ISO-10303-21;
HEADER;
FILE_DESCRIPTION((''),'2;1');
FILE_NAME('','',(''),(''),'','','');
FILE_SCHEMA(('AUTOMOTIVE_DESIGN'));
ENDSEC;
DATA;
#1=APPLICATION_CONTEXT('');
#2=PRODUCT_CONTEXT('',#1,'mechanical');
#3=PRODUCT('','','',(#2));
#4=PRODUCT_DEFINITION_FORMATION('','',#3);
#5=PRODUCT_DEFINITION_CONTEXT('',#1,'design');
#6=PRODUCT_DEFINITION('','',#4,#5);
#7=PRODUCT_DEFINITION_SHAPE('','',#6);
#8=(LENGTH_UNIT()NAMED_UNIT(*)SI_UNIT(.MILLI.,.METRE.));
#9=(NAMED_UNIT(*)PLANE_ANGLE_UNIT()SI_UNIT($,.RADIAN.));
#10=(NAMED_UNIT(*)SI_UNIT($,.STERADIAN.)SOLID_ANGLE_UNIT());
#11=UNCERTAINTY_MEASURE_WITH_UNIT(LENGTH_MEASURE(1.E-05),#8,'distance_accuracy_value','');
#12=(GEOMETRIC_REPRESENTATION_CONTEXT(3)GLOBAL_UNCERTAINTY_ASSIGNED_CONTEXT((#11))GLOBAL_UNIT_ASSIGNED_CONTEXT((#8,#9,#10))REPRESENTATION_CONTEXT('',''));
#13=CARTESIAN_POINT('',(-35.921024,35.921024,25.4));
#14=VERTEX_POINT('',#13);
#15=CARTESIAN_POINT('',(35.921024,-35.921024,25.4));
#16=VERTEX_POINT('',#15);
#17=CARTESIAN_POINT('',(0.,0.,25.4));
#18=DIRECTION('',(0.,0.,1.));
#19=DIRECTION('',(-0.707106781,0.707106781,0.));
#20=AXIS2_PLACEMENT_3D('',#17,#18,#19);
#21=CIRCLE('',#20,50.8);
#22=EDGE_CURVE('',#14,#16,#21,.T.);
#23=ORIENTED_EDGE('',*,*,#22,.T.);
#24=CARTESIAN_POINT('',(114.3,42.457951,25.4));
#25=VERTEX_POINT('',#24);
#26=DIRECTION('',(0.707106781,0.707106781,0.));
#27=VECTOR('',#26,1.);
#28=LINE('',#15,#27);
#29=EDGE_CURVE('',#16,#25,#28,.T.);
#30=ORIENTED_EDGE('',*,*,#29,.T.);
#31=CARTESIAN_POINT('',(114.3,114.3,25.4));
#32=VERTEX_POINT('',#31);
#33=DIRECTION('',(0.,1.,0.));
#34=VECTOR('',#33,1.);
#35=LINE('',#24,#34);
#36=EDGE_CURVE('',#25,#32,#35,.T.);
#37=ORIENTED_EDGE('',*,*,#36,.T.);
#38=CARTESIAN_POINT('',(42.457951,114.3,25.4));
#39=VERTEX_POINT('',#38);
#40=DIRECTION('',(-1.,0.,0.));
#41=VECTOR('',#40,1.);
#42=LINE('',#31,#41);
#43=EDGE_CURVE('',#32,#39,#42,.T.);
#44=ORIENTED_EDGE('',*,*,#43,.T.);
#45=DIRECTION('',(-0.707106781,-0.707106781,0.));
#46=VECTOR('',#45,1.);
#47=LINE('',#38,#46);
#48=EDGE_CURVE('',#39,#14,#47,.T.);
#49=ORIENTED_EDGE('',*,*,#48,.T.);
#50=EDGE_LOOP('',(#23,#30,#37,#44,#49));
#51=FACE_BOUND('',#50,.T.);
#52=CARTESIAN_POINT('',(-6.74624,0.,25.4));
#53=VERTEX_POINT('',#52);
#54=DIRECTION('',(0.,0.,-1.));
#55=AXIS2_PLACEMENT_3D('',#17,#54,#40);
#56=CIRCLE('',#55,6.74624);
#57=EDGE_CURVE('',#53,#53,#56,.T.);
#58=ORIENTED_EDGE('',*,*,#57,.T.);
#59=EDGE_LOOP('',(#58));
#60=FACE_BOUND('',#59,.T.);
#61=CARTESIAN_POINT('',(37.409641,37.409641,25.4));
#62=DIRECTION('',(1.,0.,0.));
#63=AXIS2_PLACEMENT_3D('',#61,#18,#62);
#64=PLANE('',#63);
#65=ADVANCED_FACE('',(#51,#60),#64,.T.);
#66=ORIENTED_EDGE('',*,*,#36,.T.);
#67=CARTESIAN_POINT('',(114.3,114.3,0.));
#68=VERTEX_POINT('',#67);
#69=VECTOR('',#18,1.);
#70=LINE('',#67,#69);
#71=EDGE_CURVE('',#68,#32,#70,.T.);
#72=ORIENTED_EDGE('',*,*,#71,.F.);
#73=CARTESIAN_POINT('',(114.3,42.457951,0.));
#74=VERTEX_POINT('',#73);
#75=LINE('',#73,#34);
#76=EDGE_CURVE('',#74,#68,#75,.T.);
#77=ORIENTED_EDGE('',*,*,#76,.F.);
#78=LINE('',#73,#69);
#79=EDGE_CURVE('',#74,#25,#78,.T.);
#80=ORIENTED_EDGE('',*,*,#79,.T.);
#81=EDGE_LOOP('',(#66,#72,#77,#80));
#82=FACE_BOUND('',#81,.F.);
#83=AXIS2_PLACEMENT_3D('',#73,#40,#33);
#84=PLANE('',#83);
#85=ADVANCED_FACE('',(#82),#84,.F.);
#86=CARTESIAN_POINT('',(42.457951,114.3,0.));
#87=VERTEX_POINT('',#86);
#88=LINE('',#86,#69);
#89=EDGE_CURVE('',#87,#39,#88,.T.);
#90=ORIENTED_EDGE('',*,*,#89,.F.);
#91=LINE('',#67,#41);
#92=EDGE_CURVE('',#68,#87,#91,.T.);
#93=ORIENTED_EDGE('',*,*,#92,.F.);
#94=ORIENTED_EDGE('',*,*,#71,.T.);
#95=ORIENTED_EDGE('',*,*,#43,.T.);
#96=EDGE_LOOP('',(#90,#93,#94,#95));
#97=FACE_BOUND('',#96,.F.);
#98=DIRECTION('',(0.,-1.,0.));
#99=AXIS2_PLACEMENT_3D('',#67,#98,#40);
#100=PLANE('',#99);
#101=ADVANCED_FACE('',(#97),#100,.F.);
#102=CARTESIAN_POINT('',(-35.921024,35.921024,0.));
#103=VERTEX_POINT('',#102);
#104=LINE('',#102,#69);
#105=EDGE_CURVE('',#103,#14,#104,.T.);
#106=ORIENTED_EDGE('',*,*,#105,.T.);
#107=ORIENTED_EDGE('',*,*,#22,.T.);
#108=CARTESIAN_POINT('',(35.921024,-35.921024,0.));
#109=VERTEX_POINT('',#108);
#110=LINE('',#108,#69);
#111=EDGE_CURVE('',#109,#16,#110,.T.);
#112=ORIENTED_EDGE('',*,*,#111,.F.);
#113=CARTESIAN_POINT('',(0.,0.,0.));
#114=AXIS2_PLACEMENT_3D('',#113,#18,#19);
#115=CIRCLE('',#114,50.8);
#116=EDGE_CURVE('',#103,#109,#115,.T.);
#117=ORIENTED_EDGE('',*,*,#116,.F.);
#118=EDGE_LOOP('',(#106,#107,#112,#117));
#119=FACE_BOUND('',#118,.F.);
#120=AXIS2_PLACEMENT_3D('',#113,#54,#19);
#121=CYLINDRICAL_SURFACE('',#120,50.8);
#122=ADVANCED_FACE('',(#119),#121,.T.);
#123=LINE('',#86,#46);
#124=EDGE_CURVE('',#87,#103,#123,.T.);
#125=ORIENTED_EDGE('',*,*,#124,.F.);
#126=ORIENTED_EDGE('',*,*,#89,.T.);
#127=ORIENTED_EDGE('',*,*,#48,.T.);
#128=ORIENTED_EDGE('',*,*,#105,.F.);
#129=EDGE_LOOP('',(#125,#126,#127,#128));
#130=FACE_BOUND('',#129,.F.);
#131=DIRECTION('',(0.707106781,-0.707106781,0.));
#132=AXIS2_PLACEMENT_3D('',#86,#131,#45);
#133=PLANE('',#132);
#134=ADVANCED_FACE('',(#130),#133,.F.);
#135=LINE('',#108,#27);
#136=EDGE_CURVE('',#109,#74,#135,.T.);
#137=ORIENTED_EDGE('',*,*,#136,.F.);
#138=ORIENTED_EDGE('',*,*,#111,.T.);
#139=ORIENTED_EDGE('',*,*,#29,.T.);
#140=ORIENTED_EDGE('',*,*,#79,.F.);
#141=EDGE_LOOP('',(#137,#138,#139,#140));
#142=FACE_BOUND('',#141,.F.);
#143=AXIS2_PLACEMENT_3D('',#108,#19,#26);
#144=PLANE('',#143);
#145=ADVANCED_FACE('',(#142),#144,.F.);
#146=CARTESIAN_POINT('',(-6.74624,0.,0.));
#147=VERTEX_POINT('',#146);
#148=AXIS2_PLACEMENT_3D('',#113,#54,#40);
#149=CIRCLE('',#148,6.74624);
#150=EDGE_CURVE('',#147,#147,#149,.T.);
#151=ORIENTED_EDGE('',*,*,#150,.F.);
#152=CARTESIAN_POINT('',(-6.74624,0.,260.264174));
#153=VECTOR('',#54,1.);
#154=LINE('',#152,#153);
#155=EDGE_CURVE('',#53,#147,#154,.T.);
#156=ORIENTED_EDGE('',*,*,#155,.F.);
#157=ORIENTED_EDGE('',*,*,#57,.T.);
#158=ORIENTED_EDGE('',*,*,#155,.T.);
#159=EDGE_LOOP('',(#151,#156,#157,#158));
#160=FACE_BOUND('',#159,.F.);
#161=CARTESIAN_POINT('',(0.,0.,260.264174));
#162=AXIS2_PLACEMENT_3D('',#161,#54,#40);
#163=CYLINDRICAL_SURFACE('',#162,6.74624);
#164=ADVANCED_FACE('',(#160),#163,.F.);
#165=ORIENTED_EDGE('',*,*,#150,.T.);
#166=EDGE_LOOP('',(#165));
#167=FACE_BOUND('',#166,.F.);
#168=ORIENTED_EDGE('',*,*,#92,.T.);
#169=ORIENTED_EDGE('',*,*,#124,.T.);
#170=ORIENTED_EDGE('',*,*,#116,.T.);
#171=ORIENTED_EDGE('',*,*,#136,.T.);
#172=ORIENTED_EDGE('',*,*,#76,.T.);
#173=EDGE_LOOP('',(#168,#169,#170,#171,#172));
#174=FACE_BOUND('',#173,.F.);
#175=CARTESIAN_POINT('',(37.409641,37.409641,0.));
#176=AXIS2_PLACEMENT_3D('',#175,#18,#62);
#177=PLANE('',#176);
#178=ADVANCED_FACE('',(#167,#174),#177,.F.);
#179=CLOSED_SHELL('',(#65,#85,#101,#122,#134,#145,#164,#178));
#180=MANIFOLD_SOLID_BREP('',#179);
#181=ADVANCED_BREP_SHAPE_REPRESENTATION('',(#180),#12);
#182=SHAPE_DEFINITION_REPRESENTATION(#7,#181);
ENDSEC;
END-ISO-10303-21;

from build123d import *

# Parameters (mm, degrees)
F1_DEPTH = 25.4
F3_D     = 13.49248


with BuildPart() as f1:
    # F0 (on Top) → F1 (new body)
    with BuildSketch(Plane.XY):
        with BuildLine():
            Line((42.4579510314, 114.3), (-35.9210244843, 35.9210244843))
            ThreePointArc((-35.9210244843, 35.9210244843), (-35.9210244843, -35.9210244843), (35.9210244843, -35.9210244843))
            Line((35.9210244843, -35.9210244843), (114.3, 42.4579510314))
            Line((114.3, 42.4579510314), (114.3, 114.3))
            Line((114.3, 114.3), (42.4579510314, 114.3))
        make_face()
    extrude(amount=F1_DEPTH)

    # F3 (through all)
    with Locations(Plane.XY.offset(25.4)):
        with Locations((0, 0)):
            Hole(F3_D / 2)


solid = f1.part
